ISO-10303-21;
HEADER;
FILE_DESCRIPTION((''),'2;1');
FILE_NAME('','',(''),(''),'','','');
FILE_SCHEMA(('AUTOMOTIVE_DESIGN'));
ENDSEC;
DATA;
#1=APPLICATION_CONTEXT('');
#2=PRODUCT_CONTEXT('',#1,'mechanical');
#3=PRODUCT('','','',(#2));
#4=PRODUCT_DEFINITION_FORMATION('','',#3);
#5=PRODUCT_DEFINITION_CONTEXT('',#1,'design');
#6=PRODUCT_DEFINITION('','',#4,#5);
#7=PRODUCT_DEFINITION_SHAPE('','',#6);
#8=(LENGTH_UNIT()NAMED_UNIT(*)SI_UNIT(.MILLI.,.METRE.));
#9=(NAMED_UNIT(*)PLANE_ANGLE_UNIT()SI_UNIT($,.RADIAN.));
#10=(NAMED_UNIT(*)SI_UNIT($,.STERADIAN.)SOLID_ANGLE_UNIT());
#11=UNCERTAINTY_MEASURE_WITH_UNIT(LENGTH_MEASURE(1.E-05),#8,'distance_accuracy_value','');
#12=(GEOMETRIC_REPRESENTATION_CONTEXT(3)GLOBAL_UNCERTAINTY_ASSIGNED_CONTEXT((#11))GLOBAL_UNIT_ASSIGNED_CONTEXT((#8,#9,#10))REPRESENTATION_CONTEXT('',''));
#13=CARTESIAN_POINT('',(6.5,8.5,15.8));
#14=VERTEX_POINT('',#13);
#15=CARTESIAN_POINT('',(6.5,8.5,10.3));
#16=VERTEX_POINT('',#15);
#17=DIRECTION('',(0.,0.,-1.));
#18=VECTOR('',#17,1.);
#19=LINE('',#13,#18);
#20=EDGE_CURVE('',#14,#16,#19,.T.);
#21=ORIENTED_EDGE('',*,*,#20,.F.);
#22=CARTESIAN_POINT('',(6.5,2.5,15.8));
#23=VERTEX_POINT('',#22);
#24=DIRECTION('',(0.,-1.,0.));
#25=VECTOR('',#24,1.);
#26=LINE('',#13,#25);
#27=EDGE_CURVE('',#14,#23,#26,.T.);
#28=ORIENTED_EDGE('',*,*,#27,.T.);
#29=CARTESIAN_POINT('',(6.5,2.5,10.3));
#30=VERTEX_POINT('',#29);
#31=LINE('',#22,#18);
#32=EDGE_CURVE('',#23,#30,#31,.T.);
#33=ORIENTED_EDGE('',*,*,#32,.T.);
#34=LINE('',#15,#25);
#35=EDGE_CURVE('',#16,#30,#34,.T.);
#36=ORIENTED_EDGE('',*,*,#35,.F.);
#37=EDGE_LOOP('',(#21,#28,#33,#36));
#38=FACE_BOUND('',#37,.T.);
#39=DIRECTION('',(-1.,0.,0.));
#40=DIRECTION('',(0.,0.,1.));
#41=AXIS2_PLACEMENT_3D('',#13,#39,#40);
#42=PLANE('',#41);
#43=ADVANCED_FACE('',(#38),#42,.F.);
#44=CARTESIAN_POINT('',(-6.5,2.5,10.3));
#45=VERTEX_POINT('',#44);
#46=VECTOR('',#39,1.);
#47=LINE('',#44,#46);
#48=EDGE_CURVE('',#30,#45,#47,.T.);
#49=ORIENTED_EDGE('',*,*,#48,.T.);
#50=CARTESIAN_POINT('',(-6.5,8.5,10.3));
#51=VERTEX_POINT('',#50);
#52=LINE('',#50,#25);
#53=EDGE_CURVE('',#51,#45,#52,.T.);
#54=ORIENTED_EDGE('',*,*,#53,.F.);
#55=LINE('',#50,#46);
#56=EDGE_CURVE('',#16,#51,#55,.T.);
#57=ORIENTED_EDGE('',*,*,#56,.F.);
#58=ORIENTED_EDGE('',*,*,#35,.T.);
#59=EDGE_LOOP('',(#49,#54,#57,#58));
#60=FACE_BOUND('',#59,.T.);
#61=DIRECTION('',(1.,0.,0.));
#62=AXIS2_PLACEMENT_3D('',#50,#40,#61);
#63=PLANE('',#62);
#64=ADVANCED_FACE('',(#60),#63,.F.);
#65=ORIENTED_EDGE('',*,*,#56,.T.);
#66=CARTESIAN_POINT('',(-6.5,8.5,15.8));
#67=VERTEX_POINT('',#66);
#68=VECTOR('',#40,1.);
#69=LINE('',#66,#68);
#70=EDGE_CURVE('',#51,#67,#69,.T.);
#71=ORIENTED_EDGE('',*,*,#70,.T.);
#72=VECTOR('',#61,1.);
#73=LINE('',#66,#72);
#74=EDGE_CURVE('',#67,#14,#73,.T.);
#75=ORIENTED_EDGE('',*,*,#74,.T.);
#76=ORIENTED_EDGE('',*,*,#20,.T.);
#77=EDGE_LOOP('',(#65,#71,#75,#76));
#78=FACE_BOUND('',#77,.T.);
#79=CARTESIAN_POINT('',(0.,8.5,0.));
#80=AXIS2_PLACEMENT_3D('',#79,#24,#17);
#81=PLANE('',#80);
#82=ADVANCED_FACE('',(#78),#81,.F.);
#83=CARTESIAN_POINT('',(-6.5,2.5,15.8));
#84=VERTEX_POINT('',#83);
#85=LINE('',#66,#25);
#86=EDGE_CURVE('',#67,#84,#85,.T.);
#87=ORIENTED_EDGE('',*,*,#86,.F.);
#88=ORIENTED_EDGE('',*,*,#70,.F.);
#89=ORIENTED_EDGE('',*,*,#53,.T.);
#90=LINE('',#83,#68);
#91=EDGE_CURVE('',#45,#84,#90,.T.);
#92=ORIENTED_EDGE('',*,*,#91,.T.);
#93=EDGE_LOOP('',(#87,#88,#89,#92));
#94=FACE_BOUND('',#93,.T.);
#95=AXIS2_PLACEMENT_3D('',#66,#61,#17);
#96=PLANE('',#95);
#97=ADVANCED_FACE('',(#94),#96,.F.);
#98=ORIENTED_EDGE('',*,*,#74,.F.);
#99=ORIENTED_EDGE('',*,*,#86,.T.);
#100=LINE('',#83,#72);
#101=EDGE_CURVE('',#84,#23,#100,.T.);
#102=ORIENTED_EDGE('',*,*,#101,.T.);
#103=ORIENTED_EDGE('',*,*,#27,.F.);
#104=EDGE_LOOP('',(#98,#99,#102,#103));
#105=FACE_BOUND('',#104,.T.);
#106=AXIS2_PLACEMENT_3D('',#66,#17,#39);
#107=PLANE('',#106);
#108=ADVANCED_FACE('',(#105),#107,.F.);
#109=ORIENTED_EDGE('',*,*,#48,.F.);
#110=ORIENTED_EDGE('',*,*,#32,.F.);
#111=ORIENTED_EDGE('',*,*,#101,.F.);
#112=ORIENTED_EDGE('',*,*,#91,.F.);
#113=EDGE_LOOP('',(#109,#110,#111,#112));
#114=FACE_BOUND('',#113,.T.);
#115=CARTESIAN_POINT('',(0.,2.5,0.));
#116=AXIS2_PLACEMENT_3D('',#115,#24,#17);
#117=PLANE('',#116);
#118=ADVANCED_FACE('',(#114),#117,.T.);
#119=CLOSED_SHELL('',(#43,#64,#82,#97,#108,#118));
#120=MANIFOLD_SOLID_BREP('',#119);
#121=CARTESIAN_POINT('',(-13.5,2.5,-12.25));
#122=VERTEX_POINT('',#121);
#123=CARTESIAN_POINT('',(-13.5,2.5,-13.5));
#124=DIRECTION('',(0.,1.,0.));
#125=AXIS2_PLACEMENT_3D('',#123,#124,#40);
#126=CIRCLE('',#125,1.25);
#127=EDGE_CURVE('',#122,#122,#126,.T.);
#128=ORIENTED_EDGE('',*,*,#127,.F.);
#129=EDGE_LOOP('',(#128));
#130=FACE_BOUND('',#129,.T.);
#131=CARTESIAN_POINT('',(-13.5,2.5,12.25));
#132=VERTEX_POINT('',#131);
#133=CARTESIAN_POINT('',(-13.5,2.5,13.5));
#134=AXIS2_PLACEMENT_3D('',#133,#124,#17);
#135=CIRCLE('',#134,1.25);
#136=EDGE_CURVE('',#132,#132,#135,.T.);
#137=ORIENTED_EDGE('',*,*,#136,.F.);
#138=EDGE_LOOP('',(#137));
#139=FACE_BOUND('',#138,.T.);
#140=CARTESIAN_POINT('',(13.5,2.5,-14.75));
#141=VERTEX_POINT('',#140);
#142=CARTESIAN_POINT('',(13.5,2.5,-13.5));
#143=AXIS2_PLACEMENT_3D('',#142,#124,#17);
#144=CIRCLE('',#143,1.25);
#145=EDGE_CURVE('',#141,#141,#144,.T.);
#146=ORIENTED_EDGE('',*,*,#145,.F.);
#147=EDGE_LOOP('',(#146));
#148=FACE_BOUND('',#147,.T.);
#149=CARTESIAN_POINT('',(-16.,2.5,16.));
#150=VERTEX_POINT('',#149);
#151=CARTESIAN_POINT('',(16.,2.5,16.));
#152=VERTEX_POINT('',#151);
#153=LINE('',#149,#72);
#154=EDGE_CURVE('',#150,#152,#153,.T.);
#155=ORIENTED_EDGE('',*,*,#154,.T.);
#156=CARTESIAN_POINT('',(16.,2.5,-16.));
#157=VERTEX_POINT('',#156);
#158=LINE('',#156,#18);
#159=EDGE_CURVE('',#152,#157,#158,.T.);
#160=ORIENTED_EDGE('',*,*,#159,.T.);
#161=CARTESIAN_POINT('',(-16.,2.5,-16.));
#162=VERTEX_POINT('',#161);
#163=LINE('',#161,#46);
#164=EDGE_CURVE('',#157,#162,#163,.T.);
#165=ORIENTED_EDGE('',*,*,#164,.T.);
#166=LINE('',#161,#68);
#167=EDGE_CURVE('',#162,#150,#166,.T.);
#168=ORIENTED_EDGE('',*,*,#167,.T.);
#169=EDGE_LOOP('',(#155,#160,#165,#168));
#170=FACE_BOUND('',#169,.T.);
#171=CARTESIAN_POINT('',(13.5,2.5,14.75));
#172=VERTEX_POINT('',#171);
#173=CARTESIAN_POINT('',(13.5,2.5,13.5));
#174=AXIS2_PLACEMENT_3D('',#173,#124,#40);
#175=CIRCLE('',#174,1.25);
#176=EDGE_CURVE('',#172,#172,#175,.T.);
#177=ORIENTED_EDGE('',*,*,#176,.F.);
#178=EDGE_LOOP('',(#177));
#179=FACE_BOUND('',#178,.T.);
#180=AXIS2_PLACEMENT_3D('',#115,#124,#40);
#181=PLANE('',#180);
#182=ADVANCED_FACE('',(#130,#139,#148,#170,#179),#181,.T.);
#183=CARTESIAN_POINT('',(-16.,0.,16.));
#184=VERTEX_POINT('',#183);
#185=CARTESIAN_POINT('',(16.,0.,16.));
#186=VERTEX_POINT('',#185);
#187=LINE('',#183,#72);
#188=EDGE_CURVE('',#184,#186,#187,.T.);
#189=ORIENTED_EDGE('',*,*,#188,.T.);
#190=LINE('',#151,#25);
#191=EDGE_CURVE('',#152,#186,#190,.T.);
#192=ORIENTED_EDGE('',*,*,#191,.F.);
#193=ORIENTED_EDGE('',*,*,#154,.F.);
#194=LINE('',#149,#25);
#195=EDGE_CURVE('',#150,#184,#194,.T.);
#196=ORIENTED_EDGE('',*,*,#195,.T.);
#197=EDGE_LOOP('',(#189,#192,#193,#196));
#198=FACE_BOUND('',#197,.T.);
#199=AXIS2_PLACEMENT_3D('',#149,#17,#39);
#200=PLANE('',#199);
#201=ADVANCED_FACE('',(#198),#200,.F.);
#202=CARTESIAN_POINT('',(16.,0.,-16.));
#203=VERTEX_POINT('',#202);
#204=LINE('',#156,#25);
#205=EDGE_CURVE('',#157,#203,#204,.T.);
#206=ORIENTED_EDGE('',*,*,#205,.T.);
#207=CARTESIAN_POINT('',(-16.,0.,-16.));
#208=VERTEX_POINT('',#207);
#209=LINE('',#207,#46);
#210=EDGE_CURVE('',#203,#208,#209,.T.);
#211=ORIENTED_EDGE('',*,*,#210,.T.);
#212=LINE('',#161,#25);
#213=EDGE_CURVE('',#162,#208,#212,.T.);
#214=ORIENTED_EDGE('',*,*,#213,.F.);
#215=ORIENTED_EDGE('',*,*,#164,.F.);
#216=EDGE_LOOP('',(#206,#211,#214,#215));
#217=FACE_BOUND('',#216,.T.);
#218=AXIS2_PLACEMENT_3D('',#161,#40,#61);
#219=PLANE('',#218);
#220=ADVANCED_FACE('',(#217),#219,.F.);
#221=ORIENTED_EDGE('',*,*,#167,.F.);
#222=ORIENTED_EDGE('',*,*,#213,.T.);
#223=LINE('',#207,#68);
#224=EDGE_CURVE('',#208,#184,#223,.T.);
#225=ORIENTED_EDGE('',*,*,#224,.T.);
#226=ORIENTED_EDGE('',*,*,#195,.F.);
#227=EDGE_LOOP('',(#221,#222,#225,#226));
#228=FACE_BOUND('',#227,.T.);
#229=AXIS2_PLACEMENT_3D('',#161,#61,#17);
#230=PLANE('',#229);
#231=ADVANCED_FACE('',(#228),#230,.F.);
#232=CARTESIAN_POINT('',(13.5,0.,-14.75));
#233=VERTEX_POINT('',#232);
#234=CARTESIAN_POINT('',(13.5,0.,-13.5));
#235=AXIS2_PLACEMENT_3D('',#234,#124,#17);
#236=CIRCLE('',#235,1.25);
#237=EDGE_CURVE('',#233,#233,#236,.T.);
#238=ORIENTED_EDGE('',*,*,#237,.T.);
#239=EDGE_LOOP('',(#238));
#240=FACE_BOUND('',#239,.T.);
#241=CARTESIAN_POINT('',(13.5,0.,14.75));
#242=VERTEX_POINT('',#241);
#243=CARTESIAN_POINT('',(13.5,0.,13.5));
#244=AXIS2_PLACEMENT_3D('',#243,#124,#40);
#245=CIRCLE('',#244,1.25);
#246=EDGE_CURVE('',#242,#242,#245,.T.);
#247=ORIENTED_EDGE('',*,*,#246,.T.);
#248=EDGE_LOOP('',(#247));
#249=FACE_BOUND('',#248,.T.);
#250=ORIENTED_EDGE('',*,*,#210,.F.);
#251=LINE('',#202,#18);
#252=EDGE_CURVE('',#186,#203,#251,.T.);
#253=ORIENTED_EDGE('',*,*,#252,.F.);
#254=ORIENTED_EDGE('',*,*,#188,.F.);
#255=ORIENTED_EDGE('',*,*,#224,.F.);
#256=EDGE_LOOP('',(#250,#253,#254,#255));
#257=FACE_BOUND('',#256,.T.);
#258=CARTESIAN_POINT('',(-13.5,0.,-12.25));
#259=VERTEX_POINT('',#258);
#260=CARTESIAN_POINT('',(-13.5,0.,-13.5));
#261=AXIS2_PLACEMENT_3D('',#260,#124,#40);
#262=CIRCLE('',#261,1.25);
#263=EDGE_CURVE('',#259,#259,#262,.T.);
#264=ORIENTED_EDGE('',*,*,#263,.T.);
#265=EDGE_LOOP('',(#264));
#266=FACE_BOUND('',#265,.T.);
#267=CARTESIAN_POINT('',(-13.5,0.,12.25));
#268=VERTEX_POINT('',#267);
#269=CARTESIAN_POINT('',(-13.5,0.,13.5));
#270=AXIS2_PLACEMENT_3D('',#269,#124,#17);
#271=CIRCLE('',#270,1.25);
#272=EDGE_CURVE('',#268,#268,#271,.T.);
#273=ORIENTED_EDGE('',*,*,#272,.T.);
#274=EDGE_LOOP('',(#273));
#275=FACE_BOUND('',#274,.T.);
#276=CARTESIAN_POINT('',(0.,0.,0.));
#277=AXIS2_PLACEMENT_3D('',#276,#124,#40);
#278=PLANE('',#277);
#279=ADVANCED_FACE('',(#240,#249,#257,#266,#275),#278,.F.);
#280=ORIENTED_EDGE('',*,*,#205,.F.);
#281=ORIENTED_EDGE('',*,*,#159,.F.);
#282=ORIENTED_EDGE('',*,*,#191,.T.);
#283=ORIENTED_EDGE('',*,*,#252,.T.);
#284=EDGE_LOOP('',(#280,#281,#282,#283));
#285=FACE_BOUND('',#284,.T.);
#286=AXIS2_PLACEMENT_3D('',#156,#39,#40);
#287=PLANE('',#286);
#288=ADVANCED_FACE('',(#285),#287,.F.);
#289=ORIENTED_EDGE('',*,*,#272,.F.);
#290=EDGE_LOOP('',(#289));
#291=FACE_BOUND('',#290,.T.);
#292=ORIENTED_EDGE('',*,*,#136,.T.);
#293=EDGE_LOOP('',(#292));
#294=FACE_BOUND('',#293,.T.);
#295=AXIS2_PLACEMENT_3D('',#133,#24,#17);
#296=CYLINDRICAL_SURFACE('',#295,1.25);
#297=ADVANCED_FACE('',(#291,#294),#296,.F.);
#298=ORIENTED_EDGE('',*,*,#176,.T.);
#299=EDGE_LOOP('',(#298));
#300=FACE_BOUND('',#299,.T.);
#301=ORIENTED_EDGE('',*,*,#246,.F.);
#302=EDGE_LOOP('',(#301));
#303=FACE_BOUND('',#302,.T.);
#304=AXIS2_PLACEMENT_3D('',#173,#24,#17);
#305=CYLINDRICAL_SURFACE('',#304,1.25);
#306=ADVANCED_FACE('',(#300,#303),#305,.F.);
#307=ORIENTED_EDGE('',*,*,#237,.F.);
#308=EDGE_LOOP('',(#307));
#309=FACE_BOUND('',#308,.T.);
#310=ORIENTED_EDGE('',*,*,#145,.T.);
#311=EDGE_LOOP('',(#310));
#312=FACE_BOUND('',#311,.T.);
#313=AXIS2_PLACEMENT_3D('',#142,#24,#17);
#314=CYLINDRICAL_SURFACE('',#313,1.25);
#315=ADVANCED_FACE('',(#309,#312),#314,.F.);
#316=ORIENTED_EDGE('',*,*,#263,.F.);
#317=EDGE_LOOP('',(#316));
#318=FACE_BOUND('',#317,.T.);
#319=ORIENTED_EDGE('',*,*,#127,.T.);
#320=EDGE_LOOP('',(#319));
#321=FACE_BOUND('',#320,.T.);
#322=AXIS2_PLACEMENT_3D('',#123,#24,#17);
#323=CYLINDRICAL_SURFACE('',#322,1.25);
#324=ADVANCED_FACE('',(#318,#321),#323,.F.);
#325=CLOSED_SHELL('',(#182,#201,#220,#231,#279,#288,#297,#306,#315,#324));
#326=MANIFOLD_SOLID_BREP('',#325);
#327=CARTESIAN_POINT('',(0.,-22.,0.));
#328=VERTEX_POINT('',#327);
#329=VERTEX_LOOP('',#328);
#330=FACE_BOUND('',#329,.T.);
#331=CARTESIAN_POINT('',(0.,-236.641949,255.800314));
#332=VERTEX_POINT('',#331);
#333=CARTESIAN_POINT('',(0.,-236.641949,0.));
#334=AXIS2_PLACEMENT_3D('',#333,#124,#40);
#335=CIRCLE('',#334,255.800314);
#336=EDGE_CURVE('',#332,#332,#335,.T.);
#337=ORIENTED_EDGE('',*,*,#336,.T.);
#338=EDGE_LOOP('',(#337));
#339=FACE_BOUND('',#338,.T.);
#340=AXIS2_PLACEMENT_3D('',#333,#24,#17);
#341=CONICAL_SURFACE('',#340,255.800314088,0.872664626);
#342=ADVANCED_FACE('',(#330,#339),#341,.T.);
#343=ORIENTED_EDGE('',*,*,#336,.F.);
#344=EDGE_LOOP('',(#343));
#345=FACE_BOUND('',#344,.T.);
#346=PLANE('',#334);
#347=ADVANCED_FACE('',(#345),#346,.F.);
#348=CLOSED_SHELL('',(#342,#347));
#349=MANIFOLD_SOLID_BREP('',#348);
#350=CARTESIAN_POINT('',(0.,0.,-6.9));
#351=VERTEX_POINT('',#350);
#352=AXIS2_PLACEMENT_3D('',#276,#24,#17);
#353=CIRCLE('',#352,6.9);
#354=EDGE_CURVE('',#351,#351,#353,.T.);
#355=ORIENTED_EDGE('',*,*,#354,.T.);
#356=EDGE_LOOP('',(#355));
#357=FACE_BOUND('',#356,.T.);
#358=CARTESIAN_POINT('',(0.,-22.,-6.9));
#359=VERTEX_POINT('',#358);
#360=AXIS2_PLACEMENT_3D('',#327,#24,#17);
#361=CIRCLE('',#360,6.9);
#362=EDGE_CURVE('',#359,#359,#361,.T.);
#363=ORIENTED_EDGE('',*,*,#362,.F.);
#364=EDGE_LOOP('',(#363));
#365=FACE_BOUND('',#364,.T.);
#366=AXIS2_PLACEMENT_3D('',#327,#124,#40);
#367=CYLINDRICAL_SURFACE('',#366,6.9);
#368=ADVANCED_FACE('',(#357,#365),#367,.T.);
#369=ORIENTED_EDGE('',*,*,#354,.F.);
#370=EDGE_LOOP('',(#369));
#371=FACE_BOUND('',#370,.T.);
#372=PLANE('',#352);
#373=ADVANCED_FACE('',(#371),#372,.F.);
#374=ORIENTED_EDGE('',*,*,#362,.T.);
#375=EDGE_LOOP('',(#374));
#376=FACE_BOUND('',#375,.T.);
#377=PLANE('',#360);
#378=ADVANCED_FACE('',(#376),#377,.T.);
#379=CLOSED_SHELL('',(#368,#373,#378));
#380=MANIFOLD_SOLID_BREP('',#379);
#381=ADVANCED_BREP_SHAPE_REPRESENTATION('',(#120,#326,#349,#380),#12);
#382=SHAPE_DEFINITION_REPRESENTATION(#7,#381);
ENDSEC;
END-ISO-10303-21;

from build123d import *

# Parameters (mm, degrees)
SKETCH_1_W      = 32
SKETCH_1_H      = 32
SKETCH_1_R      = 1.25
EXTRUDE_1_DEPTH = 2.5
SKETCH_2_W      = 13
SKETCH_2_H      = 5.5
EXTRUDE_2_DEPTH = 6
SKETCH_3_R      = 6.9
EXTRUDE_3_DEPTH = 22


with BuildPart() as part:
    # 草图1 → 凸台-拉伸1 (new body)
    with BuildSketch(Plane(origin=(0, 0, 0), x_dir=(1, 0, 0), z_dir=(0, 1, 0))):
        Rectangle(SKETCH_1_W, SKETCH_1_H)
        with Locations(Location((-13.5, 13.5, 0), (0, 0, 270))):
            Circle(SKETCH_1_R, mode=Mode.SUBTRACT)
        with Locations(Location((13.5, 13.5, 0), (0, 0, 90))):
            Circle(SKETCH_1_R, mode=Mode.SUBTRACT)
        with Locations(Location((13.5, -13.5, 0), (0, 0, 270))):
            Circle(SKETCH_1_R, mode=Mode.SUBTRACT)
        with Locations(Location((-13.5, -13.5, 0), (0, 0, 90))):
            Circle(SKETCH_1_R, mode=Mode.SUBTRACT)
    extrude(amount=EXTRUDE_1_DEPTH)


with BuildPart() as body_2:
    # 草图2 → 凸台-拉伸2 (new body)
    with BuildSketch(Plane(origin=(0, 2.5, 0), x_dir=(1, 0, 0), z_dir=(0, 1, 0))):
        with Locations((0, -13.05)):
            Rectangle(SKETCH_2_W, SKETCH_2_H)
    extrude(amount=EXTRUDE_2_DEPTH)


with BuildPart() as body_3:
    # 草图3 → 凸台-拉伸3 (new body)
    with BuildSketch(Plane.XZ):
        with Locations(Location((0, 0, 0), (0, 0, 270))):
            Circle(SKETCH_3_R)
    extrude(amount=EXTRUDE_3_DEPTH)


with BuildPart() as body_4:
    # 草图5 → 旋转1 (revolve)
    with BuildSketch(Plane.XY, mode=Mode.PRIVATE) as revolve_1_sk:
        Polygon((0, -22), (255.800314088, -236.641949206), (0, -236.641949206), align=None)
    revolve(revolve_1_sk.sketch.rotate(Axis((0, 10.025, 0), (0, -1, 0)), 270), axis=Axis((0, 10.025, 0), (0, -1, 0)))


solid = Compound([part.part, body_2.part, body_3.part, body_4.part])
